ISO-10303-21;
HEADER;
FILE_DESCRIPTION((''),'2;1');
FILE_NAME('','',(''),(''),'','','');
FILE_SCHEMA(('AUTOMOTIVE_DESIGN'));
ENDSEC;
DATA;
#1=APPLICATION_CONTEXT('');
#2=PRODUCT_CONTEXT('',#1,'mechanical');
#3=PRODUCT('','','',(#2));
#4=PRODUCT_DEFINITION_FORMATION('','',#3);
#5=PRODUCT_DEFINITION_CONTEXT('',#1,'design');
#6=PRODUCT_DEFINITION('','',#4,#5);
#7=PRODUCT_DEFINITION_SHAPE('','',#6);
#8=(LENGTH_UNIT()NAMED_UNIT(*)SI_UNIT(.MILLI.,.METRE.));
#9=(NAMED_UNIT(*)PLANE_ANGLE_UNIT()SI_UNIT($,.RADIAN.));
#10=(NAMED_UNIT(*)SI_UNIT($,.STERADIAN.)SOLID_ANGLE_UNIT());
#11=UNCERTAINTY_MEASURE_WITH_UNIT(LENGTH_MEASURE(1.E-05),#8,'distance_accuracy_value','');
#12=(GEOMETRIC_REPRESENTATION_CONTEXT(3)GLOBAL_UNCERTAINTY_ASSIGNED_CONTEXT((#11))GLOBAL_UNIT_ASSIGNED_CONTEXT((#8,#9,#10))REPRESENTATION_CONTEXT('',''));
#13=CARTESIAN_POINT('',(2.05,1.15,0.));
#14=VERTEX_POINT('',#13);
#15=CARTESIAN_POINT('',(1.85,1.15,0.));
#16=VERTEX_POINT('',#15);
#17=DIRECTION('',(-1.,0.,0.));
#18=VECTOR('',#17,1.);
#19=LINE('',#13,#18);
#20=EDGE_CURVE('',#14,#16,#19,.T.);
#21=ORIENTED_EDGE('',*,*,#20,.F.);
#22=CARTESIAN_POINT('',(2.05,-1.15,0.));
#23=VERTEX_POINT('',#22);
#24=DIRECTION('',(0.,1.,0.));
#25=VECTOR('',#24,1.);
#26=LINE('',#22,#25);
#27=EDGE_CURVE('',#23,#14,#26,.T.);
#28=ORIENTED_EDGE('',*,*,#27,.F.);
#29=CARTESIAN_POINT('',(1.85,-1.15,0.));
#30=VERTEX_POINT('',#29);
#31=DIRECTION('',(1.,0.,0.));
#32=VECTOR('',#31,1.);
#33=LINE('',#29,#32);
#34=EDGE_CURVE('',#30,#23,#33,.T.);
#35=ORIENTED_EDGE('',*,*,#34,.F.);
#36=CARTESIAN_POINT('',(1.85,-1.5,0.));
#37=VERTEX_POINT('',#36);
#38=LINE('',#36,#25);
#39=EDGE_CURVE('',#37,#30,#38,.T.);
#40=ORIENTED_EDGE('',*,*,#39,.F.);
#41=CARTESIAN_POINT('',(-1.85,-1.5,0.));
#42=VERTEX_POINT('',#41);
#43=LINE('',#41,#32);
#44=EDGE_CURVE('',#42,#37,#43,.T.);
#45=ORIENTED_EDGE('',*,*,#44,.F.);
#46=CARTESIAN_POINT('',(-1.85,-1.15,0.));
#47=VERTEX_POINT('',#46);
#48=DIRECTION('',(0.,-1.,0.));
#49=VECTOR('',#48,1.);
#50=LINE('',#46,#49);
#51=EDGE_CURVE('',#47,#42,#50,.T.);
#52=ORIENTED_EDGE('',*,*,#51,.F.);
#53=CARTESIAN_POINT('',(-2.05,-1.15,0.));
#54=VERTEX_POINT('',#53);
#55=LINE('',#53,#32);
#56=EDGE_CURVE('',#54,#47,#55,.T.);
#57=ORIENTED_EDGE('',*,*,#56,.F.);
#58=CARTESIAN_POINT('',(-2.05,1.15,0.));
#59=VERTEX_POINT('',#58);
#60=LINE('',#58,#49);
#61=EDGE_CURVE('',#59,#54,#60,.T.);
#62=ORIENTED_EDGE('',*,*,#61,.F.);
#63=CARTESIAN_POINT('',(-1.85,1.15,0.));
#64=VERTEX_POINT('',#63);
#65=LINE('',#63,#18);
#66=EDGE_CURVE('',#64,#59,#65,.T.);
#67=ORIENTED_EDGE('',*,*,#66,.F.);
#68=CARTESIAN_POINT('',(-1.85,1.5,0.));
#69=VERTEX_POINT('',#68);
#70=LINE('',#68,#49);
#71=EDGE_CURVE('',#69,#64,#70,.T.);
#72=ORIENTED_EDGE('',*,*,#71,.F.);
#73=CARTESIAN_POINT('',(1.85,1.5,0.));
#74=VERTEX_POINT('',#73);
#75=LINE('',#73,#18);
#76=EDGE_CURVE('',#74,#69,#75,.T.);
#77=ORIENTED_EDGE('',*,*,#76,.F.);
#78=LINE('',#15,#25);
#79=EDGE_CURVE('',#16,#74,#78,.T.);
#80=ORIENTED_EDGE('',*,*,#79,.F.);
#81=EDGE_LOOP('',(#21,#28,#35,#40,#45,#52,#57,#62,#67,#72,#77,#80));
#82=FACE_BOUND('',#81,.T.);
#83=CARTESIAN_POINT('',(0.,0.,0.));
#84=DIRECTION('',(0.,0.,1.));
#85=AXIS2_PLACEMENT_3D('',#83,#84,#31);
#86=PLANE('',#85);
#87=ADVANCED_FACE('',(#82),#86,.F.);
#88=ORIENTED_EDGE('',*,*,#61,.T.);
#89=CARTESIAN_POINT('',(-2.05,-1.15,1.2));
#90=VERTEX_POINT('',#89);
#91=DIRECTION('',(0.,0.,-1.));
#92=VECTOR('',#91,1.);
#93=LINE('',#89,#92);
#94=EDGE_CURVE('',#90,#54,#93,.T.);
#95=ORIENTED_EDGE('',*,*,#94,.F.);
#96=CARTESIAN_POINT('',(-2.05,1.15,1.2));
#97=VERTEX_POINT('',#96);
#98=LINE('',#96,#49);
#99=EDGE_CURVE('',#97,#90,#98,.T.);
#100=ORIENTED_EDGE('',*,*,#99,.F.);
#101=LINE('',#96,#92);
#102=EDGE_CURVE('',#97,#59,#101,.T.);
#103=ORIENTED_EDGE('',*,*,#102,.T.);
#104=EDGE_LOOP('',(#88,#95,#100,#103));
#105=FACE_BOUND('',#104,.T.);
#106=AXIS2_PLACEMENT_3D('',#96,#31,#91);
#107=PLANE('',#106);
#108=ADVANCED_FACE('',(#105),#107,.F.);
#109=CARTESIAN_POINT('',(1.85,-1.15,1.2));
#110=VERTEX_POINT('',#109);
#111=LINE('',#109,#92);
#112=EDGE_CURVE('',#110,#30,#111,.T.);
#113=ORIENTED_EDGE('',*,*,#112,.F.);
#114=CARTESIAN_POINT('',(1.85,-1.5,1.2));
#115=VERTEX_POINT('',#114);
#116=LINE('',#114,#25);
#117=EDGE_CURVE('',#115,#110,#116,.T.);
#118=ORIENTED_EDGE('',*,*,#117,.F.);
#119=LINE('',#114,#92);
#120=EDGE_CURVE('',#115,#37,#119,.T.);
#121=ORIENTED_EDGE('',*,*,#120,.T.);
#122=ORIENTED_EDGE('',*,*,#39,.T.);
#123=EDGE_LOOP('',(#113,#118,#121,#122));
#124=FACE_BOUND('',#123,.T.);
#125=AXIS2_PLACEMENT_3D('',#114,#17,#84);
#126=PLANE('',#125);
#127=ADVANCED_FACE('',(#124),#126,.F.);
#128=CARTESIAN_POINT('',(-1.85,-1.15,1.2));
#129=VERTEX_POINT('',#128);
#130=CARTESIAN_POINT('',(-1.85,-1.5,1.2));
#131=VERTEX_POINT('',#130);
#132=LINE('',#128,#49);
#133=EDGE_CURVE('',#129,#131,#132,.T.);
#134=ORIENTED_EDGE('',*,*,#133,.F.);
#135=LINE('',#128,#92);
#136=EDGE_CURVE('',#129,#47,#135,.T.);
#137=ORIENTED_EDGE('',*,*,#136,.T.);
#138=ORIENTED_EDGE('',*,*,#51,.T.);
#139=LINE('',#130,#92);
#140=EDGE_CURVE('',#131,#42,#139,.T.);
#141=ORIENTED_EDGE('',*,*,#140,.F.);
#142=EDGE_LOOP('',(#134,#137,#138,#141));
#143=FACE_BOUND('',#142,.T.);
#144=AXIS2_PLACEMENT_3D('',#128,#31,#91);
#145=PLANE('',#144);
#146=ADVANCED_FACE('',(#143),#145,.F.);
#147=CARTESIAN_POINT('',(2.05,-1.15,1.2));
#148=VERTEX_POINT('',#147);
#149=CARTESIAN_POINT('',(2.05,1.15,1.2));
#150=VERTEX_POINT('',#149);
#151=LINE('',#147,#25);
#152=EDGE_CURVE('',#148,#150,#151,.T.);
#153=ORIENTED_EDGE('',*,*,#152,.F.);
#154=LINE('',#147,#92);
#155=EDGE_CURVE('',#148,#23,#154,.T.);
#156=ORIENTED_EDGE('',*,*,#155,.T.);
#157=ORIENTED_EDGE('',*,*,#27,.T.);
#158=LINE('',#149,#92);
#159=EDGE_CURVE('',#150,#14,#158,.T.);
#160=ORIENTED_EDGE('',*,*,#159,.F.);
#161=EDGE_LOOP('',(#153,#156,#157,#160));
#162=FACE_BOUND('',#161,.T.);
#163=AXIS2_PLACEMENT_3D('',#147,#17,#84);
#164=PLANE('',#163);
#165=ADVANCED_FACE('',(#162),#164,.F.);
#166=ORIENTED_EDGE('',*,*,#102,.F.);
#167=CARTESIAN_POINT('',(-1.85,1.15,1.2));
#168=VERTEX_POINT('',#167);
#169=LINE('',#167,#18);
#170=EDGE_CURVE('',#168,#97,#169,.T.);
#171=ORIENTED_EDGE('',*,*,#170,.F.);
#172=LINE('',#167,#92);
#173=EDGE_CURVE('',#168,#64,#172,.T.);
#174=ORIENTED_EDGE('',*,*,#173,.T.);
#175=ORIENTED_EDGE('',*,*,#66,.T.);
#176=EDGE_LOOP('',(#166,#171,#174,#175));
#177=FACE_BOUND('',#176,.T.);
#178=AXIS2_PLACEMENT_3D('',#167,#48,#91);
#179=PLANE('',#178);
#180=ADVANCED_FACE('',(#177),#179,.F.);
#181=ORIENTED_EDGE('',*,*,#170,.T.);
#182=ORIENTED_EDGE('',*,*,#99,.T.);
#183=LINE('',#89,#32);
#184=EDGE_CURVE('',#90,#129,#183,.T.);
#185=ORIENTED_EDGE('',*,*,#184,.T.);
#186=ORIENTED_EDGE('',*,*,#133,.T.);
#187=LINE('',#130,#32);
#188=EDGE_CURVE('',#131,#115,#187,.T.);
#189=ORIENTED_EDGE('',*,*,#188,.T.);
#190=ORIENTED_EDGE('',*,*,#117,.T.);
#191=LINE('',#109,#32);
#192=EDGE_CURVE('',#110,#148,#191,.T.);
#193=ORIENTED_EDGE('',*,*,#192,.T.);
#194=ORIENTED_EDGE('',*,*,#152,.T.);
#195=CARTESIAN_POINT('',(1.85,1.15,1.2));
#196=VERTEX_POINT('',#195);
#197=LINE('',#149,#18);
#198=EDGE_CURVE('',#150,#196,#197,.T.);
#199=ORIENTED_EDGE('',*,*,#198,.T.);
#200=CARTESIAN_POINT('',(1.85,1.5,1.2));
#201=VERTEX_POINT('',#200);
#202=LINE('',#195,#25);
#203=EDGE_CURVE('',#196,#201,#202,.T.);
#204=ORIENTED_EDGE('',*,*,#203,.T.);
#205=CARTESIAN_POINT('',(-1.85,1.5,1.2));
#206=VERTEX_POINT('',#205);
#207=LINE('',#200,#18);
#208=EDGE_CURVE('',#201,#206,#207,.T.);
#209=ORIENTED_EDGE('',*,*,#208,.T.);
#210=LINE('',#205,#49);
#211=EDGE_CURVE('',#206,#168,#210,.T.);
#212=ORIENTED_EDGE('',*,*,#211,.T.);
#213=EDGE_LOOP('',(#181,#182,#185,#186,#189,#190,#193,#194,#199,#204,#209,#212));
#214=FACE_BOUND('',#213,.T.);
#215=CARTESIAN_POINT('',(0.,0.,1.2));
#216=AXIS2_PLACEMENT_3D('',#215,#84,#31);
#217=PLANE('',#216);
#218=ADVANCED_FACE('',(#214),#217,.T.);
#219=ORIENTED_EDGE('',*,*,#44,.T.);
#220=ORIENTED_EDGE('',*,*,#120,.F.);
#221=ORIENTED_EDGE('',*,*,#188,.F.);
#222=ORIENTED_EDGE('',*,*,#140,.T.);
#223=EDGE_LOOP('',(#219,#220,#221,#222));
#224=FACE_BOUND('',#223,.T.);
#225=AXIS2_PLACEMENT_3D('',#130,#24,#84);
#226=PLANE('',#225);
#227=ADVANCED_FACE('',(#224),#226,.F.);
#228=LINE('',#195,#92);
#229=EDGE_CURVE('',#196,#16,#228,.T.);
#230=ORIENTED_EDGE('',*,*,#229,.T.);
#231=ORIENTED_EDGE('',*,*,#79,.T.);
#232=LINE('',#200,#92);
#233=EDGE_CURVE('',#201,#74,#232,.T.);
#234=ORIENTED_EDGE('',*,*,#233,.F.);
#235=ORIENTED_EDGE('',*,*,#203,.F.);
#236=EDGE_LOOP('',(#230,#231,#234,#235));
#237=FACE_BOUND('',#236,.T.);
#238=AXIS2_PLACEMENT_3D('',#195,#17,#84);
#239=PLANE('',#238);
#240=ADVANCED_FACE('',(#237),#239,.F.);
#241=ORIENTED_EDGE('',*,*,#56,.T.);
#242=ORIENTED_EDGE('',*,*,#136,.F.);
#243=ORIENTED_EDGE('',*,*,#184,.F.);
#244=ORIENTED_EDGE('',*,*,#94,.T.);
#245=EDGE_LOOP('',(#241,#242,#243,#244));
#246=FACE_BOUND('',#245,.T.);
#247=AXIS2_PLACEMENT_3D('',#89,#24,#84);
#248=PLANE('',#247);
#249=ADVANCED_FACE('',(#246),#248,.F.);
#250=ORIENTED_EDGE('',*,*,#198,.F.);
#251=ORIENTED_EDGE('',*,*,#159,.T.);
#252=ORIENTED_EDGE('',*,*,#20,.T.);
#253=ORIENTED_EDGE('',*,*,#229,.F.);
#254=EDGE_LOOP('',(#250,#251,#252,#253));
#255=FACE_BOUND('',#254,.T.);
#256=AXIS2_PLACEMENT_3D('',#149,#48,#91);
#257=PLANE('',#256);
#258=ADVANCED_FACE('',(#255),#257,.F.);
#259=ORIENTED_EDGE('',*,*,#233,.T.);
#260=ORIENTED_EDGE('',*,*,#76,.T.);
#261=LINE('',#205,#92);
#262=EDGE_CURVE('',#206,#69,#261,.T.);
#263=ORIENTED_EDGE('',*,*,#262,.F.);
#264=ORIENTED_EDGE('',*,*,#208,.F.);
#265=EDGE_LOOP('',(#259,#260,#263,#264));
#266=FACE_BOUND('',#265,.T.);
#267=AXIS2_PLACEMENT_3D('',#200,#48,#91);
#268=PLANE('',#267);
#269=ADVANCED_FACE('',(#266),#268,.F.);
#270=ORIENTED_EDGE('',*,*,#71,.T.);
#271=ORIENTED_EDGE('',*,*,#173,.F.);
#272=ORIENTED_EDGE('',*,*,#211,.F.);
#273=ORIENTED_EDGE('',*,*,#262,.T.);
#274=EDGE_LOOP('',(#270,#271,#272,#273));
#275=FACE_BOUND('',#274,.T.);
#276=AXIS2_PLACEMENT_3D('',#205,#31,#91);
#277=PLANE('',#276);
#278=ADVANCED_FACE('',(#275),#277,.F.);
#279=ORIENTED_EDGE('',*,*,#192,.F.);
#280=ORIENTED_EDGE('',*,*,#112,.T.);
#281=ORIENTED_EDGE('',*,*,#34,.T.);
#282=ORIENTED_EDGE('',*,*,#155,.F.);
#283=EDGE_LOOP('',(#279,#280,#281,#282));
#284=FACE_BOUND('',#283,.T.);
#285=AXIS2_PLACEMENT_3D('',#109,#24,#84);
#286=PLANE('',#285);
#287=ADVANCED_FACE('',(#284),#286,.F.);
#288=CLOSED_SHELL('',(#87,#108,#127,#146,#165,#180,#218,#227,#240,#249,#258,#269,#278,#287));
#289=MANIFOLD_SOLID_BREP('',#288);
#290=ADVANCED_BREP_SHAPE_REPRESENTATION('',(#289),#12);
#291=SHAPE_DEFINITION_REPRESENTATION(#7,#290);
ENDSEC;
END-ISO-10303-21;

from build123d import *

# Parameters (mm, degrees)
COMPONENT_OUTLINE_DEPTH = 1.2


with BuildPart() as part:
    # 草图1 → Component_Outline (new body)
    with BuildSketch(Plane.XY):
        Polygon((1.85, -1.5), (1.85, -1.15), (2.05, -1.15), (2.05, 1.15), (1.85, 1.15), (1.85, 1.5), (-1.85, 1.5), (-1.85, 1.15), (-2.05, 1.15), (-2.05, -1.15), (-1.85, -1.15), (-1.85, -1.5), align=None)
    extrude(amount=COMPONENT_OUTLINE_DEPTH)


solid = part.part
